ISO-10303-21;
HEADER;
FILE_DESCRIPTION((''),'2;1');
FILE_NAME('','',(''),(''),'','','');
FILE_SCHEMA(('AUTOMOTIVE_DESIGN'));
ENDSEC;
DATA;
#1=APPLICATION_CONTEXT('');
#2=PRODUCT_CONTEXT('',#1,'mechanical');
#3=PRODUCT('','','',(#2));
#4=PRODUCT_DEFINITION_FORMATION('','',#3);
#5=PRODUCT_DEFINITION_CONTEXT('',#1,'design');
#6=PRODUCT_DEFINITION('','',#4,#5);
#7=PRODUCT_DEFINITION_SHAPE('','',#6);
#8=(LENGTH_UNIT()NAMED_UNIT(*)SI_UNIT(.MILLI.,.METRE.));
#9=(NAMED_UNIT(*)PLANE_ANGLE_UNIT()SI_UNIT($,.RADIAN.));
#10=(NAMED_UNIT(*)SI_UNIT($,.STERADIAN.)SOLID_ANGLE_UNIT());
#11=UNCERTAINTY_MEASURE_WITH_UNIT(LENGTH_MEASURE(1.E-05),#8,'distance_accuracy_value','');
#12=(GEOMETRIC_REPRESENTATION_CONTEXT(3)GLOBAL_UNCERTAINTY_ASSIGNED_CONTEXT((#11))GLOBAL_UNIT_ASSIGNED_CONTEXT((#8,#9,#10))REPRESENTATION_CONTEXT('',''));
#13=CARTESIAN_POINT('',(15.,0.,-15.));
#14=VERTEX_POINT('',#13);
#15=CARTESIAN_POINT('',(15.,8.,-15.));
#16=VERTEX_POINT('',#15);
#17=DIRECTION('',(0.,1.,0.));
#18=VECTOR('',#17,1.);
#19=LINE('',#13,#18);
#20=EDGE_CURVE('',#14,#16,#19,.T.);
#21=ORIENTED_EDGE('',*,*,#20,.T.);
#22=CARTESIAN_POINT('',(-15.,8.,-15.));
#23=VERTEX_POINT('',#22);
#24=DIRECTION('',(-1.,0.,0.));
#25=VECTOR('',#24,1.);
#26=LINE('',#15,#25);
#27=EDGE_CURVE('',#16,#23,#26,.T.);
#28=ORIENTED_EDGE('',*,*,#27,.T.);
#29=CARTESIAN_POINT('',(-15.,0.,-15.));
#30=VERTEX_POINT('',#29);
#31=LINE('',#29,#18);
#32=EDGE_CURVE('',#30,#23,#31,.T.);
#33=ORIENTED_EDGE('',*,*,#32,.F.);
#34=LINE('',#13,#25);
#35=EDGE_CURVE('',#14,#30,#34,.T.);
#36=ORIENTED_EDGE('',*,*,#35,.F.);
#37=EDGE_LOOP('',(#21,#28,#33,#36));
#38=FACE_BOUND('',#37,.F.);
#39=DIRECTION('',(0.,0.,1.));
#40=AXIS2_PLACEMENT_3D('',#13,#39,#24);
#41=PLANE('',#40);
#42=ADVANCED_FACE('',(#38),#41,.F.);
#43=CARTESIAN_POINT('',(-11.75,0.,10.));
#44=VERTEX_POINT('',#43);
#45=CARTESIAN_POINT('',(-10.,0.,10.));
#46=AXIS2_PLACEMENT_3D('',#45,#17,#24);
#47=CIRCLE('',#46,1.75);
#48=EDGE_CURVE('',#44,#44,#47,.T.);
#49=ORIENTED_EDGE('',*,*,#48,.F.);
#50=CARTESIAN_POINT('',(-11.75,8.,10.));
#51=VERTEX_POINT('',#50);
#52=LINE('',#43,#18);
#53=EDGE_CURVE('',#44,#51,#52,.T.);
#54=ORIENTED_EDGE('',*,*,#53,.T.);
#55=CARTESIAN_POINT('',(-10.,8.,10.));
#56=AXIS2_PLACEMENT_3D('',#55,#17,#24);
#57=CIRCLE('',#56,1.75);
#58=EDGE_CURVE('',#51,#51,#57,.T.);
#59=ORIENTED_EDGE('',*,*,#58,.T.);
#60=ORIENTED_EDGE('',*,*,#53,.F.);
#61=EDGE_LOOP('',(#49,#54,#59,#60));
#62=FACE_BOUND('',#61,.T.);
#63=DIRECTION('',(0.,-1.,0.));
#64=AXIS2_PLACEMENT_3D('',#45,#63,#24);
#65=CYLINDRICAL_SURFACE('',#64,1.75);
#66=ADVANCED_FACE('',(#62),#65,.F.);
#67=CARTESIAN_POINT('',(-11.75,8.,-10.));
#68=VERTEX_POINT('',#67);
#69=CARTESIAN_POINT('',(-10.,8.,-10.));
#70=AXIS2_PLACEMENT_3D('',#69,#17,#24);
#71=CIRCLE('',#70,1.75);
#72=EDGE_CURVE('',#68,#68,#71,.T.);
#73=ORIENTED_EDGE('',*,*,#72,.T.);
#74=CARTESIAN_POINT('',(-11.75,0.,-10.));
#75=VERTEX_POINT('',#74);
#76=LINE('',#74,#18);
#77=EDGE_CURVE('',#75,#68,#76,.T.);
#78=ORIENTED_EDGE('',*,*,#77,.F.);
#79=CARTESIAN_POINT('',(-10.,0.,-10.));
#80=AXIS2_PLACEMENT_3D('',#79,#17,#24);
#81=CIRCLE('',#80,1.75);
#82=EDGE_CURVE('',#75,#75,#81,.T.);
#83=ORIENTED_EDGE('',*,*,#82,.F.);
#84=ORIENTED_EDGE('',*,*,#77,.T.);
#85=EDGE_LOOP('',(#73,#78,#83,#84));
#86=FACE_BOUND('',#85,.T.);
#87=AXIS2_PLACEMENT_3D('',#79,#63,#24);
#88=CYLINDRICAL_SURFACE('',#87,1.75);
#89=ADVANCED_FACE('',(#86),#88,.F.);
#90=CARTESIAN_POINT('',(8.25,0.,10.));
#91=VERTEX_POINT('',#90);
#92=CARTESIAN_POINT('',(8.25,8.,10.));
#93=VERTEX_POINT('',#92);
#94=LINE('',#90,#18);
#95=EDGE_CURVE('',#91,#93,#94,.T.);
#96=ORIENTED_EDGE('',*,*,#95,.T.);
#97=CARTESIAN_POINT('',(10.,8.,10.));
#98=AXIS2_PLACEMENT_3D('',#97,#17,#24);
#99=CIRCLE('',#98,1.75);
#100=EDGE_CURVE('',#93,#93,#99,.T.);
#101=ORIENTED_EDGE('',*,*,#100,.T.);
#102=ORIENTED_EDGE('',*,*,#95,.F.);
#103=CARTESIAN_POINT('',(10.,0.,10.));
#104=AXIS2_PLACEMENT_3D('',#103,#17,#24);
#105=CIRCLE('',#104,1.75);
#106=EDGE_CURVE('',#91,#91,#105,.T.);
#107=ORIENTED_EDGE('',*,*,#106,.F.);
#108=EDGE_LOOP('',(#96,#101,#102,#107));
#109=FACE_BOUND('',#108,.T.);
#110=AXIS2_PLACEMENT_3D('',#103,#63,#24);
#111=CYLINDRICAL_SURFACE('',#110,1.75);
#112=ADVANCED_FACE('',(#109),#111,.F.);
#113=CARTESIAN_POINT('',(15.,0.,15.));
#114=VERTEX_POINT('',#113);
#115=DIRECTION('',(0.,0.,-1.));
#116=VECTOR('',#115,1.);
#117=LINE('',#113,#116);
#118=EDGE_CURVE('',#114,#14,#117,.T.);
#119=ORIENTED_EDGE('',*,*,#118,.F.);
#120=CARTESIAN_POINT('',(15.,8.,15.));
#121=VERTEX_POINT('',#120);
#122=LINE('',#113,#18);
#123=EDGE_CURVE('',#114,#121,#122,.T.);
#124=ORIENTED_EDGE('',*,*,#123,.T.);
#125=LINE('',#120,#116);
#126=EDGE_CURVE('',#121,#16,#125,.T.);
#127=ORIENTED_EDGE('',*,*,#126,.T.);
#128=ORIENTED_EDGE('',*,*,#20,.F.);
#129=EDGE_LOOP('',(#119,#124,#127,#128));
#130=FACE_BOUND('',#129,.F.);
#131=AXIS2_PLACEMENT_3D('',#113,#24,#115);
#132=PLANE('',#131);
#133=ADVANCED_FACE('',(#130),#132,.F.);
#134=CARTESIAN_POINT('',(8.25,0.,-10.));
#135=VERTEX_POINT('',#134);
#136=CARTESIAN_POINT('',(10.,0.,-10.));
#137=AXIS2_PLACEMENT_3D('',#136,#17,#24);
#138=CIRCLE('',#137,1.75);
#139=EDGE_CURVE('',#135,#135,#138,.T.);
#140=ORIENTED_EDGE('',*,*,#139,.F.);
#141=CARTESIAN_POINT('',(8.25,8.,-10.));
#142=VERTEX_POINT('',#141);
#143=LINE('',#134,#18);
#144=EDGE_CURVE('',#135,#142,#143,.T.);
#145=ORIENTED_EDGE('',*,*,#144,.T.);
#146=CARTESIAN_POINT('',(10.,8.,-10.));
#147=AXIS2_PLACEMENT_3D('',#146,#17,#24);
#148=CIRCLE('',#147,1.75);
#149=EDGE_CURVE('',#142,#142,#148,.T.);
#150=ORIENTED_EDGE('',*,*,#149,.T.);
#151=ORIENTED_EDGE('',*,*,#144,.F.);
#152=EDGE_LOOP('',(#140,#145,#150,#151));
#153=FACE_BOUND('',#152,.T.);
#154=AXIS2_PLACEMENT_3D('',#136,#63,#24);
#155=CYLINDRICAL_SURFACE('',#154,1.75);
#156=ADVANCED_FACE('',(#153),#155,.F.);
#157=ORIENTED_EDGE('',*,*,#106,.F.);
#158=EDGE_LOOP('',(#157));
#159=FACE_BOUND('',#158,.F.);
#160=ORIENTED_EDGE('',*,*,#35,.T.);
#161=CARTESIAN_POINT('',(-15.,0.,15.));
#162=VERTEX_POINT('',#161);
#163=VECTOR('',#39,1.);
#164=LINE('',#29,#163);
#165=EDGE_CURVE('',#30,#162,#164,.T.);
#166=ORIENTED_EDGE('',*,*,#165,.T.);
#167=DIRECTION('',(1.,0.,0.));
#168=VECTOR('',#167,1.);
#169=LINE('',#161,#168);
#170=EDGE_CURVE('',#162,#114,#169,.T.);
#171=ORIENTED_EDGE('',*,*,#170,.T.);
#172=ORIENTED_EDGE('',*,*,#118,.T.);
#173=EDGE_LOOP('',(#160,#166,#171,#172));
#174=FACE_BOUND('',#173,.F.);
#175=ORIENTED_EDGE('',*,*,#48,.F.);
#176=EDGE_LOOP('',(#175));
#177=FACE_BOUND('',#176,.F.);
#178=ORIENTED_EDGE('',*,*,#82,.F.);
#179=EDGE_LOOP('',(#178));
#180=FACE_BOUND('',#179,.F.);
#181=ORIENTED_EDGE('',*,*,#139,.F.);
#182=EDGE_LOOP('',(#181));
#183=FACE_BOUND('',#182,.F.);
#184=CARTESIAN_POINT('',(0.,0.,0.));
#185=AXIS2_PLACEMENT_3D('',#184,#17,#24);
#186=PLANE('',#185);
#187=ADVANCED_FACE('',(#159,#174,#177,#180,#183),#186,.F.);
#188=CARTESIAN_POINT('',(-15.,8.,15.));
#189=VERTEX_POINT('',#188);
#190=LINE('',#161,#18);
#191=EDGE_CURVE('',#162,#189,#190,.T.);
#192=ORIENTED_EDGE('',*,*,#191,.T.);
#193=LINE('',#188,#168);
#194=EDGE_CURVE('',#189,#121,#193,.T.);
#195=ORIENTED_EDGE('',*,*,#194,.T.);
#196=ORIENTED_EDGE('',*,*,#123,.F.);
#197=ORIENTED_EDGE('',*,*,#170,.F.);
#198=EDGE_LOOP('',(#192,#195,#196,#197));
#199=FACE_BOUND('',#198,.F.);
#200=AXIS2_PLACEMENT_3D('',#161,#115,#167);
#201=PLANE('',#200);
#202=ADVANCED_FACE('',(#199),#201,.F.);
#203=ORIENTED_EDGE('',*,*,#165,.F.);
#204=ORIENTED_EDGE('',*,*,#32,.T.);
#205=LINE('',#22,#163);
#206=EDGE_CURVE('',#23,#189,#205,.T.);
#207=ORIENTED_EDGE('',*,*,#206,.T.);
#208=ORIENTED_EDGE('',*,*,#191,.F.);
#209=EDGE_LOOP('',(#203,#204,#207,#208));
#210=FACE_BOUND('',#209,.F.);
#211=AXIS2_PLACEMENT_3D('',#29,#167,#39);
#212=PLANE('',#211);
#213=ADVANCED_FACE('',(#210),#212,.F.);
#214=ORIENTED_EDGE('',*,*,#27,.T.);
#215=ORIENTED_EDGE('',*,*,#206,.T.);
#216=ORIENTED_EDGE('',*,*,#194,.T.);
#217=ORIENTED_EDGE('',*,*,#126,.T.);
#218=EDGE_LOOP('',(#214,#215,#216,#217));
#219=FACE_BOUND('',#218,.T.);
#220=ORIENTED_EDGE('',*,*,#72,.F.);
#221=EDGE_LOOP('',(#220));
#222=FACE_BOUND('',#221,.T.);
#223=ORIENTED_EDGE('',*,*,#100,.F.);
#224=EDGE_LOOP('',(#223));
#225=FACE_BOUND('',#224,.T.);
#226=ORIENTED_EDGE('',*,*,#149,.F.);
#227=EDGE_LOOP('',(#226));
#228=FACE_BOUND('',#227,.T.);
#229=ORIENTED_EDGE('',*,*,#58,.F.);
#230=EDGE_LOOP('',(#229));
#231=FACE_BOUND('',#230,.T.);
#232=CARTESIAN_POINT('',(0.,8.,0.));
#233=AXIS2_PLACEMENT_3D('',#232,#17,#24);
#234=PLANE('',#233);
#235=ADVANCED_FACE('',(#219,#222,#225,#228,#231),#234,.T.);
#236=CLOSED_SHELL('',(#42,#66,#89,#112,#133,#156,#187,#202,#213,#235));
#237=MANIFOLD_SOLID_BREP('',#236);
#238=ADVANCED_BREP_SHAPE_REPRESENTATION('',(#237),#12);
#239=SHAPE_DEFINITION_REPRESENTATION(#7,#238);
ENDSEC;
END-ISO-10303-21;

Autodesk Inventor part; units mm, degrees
ref_plane "YZ Plane" through (0, 0, 0) normal (1, 0, 0) x (0, 1, 0)
ref_plane "XZ Plane" through (0, 0, 0) normal (0, 1, 0) x (-1, 0, 0)
ref_plane "XY Plane" through (0, 0, 0) normal (0, 0, 1) x (1, 0, 0)
sketch "Boceto1" plane through (0, 0, 0) normal (0, 1, 0) x (-1, 0, 0)
  line L0 (15, 15) -> (-15, 15)
  line L1 (-15, 15) -> (-15, -15)
  line L2 (-15, -15) -> (15, -15)
  line L3 (15, -15) -> (15, 15)
  line L4 (15, 15) -> (-15, -15) construction
  line L5 (-15, 15) -> (15, -15) construction
  circle A0 centre (-10, -10) radius 1.75
  line L6 (0, 0) -> (0, 4.5842)
  line L7 (0, 0) -> (-4.6861, 0)
  circle A1 centre (-10, 10) radius 1.75
  line L8 (15, 15) -> (-15, -15) construction
  circle A2 centre (10, -10) radius 1.75
  circle A3 centre (10, 10) radius 1.75
  dimension "d0" = 30
  dimension "d1" = 30
  dimension "d2" = 3.5
  dimension "d3" = 10
  dimension "d4" = 10
extrude "Extrusión1" add sketch "Boceto1" along normal blind 8
properties part number "4_center_union"
